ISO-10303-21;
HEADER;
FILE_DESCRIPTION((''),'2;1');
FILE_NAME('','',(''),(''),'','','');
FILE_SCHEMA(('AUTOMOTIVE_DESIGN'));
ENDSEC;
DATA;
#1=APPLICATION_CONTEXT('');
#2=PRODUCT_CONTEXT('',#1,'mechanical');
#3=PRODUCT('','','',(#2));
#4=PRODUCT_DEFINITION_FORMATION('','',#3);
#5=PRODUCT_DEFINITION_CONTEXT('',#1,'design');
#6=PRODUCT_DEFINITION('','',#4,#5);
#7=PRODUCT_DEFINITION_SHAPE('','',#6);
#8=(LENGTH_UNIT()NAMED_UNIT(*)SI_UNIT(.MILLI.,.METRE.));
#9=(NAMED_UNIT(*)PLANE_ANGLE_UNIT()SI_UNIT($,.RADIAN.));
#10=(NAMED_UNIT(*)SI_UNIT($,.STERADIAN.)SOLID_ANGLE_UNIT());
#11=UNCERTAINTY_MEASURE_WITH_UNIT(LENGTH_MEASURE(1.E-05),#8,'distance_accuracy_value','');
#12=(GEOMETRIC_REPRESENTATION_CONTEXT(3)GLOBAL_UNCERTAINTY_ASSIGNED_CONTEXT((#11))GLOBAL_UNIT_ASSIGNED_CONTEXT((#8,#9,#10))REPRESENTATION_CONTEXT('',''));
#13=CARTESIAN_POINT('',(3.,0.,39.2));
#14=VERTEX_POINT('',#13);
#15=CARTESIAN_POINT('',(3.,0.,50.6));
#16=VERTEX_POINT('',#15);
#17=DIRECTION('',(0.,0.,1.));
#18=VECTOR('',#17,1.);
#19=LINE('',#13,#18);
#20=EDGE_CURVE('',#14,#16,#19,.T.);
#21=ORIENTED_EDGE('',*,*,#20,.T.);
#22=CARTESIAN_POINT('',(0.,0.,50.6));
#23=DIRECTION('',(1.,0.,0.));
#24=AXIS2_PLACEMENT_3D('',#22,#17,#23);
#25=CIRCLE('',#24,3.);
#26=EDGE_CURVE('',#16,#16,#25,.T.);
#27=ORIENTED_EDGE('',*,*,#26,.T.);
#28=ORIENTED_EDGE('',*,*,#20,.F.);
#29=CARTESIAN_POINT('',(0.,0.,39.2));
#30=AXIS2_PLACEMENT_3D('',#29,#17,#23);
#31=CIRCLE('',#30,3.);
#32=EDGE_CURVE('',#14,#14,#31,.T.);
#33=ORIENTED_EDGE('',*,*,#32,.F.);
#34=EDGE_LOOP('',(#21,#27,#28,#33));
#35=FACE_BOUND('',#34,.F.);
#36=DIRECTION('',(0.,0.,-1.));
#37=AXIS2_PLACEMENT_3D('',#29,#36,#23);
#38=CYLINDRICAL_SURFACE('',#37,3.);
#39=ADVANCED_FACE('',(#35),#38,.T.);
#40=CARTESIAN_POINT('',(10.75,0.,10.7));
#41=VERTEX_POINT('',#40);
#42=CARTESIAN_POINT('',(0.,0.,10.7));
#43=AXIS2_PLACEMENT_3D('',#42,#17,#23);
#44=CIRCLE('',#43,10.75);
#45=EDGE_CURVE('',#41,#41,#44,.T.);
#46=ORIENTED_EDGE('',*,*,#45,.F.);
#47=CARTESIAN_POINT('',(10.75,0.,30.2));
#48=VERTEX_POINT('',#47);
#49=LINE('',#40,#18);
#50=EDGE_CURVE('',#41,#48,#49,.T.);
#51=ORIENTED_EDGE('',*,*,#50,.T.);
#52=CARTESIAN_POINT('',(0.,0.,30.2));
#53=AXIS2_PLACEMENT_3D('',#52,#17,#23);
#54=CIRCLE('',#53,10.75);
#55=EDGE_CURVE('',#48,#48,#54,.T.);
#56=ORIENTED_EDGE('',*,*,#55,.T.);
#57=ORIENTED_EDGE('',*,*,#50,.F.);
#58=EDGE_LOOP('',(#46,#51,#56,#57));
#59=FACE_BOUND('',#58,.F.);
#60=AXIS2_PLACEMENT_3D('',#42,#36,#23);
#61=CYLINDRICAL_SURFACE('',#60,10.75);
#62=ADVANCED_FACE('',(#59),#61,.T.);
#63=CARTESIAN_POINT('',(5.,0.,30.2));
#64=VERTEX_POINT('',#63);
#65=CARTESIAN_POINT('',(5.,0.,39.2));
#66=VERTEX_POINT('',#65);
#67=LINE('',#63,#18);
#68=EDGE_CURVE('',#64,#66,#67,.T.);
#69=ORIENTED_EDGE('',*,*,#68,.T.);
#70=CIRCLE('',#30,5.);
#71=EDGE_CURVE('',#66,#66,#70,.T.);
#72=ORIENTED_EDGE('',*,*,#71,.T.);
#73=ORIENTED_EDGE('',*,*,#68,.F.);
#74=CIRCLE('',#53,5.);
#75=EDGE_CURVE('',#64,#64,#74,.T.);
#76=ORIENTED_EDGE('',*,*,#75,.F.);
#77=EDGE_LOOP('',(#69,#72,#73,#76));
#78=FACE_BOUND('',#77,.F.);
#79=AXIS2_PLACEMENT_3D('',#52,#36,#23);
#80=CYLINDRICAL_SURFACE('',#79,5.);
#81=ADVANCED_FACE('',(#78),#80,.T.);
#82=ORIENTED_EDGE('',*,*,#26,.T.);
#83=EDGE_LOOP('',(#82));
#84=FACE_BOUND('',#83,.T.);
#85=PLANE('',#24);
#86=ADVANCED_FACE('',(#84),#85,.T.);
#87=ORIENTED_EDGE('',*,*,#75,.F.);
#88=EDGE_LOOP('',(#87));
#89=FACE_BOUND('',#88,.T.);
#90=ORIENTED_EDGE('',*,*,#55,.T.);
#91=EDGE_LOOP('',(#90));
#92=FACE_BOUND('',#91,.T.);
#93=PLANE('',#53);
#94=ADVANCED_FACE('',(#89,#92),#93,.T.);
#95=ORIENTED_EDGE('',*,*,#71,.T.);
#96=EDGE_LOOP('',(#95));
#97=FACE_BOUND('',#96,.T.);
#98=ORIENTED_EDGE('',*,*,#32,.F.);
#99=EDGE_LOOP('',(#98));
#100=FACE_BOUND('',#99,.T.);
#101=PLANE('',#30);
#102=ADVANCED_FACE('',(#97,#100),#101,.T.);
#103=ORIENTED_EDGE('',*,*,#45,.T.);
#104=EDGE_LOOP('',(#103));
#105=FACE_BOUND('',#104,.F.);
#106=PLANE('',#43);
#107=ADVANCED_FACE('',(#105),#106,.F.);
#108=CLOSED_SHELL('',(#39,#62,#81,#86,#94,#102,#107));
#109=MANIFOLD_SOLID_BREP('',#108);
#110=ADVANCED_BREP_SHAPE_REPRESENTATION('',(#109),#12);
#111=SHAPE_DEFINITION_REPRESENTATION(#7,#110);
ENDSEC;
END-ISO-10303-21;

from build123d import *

# Parameters (mm, degrees)
CYLINDER053_R     = 5
CYLINDER053_DEPTH = 9
CYLINDER054_R     = 3
CYLINDER054_DEPTH = 11.4
CYLINDER052_R     = 10.75
CYLINDER052_DEPTH = 19.5


with BuildPart() as pot_thread:
    # Cylinder053 → Cylinder053 (new body)
    with BuildSketch(Plane.XY.offset(19.5)):
        Circle(CYLINDER053_R)
    extrude(amount=CYLINDER053_DEPTH)


with BuildPart() as pot_axis:
    # Cylinder054 → Cylinder054 (new body)
    with BuildSketch(Plane.XY.offset(28.5)):
        Circle(CYLINDER054_R)
    extrude(amount=CYLINDER054_DEPTH)


with BuildPart() as pot_multiturn:
    # Cylinder052 → Cylinder052 (new body)
    with BuildSketch(Plane.XY):
        Circle(CYLINDER052_R)
    extrude(amount=CYLINDER052_DEPTH)

    # Fusion024: union pot-thread, pot-axis
    add(pot_thread.part)
    add(pot_axis.part)


with BuildPart() as pot_multiturn_1:
    # Fusion024 placement: moved
    add(pot_multiturn.part.moved(Location((0, 0, 10.7))))


solid = pot_multiturn_1.part
